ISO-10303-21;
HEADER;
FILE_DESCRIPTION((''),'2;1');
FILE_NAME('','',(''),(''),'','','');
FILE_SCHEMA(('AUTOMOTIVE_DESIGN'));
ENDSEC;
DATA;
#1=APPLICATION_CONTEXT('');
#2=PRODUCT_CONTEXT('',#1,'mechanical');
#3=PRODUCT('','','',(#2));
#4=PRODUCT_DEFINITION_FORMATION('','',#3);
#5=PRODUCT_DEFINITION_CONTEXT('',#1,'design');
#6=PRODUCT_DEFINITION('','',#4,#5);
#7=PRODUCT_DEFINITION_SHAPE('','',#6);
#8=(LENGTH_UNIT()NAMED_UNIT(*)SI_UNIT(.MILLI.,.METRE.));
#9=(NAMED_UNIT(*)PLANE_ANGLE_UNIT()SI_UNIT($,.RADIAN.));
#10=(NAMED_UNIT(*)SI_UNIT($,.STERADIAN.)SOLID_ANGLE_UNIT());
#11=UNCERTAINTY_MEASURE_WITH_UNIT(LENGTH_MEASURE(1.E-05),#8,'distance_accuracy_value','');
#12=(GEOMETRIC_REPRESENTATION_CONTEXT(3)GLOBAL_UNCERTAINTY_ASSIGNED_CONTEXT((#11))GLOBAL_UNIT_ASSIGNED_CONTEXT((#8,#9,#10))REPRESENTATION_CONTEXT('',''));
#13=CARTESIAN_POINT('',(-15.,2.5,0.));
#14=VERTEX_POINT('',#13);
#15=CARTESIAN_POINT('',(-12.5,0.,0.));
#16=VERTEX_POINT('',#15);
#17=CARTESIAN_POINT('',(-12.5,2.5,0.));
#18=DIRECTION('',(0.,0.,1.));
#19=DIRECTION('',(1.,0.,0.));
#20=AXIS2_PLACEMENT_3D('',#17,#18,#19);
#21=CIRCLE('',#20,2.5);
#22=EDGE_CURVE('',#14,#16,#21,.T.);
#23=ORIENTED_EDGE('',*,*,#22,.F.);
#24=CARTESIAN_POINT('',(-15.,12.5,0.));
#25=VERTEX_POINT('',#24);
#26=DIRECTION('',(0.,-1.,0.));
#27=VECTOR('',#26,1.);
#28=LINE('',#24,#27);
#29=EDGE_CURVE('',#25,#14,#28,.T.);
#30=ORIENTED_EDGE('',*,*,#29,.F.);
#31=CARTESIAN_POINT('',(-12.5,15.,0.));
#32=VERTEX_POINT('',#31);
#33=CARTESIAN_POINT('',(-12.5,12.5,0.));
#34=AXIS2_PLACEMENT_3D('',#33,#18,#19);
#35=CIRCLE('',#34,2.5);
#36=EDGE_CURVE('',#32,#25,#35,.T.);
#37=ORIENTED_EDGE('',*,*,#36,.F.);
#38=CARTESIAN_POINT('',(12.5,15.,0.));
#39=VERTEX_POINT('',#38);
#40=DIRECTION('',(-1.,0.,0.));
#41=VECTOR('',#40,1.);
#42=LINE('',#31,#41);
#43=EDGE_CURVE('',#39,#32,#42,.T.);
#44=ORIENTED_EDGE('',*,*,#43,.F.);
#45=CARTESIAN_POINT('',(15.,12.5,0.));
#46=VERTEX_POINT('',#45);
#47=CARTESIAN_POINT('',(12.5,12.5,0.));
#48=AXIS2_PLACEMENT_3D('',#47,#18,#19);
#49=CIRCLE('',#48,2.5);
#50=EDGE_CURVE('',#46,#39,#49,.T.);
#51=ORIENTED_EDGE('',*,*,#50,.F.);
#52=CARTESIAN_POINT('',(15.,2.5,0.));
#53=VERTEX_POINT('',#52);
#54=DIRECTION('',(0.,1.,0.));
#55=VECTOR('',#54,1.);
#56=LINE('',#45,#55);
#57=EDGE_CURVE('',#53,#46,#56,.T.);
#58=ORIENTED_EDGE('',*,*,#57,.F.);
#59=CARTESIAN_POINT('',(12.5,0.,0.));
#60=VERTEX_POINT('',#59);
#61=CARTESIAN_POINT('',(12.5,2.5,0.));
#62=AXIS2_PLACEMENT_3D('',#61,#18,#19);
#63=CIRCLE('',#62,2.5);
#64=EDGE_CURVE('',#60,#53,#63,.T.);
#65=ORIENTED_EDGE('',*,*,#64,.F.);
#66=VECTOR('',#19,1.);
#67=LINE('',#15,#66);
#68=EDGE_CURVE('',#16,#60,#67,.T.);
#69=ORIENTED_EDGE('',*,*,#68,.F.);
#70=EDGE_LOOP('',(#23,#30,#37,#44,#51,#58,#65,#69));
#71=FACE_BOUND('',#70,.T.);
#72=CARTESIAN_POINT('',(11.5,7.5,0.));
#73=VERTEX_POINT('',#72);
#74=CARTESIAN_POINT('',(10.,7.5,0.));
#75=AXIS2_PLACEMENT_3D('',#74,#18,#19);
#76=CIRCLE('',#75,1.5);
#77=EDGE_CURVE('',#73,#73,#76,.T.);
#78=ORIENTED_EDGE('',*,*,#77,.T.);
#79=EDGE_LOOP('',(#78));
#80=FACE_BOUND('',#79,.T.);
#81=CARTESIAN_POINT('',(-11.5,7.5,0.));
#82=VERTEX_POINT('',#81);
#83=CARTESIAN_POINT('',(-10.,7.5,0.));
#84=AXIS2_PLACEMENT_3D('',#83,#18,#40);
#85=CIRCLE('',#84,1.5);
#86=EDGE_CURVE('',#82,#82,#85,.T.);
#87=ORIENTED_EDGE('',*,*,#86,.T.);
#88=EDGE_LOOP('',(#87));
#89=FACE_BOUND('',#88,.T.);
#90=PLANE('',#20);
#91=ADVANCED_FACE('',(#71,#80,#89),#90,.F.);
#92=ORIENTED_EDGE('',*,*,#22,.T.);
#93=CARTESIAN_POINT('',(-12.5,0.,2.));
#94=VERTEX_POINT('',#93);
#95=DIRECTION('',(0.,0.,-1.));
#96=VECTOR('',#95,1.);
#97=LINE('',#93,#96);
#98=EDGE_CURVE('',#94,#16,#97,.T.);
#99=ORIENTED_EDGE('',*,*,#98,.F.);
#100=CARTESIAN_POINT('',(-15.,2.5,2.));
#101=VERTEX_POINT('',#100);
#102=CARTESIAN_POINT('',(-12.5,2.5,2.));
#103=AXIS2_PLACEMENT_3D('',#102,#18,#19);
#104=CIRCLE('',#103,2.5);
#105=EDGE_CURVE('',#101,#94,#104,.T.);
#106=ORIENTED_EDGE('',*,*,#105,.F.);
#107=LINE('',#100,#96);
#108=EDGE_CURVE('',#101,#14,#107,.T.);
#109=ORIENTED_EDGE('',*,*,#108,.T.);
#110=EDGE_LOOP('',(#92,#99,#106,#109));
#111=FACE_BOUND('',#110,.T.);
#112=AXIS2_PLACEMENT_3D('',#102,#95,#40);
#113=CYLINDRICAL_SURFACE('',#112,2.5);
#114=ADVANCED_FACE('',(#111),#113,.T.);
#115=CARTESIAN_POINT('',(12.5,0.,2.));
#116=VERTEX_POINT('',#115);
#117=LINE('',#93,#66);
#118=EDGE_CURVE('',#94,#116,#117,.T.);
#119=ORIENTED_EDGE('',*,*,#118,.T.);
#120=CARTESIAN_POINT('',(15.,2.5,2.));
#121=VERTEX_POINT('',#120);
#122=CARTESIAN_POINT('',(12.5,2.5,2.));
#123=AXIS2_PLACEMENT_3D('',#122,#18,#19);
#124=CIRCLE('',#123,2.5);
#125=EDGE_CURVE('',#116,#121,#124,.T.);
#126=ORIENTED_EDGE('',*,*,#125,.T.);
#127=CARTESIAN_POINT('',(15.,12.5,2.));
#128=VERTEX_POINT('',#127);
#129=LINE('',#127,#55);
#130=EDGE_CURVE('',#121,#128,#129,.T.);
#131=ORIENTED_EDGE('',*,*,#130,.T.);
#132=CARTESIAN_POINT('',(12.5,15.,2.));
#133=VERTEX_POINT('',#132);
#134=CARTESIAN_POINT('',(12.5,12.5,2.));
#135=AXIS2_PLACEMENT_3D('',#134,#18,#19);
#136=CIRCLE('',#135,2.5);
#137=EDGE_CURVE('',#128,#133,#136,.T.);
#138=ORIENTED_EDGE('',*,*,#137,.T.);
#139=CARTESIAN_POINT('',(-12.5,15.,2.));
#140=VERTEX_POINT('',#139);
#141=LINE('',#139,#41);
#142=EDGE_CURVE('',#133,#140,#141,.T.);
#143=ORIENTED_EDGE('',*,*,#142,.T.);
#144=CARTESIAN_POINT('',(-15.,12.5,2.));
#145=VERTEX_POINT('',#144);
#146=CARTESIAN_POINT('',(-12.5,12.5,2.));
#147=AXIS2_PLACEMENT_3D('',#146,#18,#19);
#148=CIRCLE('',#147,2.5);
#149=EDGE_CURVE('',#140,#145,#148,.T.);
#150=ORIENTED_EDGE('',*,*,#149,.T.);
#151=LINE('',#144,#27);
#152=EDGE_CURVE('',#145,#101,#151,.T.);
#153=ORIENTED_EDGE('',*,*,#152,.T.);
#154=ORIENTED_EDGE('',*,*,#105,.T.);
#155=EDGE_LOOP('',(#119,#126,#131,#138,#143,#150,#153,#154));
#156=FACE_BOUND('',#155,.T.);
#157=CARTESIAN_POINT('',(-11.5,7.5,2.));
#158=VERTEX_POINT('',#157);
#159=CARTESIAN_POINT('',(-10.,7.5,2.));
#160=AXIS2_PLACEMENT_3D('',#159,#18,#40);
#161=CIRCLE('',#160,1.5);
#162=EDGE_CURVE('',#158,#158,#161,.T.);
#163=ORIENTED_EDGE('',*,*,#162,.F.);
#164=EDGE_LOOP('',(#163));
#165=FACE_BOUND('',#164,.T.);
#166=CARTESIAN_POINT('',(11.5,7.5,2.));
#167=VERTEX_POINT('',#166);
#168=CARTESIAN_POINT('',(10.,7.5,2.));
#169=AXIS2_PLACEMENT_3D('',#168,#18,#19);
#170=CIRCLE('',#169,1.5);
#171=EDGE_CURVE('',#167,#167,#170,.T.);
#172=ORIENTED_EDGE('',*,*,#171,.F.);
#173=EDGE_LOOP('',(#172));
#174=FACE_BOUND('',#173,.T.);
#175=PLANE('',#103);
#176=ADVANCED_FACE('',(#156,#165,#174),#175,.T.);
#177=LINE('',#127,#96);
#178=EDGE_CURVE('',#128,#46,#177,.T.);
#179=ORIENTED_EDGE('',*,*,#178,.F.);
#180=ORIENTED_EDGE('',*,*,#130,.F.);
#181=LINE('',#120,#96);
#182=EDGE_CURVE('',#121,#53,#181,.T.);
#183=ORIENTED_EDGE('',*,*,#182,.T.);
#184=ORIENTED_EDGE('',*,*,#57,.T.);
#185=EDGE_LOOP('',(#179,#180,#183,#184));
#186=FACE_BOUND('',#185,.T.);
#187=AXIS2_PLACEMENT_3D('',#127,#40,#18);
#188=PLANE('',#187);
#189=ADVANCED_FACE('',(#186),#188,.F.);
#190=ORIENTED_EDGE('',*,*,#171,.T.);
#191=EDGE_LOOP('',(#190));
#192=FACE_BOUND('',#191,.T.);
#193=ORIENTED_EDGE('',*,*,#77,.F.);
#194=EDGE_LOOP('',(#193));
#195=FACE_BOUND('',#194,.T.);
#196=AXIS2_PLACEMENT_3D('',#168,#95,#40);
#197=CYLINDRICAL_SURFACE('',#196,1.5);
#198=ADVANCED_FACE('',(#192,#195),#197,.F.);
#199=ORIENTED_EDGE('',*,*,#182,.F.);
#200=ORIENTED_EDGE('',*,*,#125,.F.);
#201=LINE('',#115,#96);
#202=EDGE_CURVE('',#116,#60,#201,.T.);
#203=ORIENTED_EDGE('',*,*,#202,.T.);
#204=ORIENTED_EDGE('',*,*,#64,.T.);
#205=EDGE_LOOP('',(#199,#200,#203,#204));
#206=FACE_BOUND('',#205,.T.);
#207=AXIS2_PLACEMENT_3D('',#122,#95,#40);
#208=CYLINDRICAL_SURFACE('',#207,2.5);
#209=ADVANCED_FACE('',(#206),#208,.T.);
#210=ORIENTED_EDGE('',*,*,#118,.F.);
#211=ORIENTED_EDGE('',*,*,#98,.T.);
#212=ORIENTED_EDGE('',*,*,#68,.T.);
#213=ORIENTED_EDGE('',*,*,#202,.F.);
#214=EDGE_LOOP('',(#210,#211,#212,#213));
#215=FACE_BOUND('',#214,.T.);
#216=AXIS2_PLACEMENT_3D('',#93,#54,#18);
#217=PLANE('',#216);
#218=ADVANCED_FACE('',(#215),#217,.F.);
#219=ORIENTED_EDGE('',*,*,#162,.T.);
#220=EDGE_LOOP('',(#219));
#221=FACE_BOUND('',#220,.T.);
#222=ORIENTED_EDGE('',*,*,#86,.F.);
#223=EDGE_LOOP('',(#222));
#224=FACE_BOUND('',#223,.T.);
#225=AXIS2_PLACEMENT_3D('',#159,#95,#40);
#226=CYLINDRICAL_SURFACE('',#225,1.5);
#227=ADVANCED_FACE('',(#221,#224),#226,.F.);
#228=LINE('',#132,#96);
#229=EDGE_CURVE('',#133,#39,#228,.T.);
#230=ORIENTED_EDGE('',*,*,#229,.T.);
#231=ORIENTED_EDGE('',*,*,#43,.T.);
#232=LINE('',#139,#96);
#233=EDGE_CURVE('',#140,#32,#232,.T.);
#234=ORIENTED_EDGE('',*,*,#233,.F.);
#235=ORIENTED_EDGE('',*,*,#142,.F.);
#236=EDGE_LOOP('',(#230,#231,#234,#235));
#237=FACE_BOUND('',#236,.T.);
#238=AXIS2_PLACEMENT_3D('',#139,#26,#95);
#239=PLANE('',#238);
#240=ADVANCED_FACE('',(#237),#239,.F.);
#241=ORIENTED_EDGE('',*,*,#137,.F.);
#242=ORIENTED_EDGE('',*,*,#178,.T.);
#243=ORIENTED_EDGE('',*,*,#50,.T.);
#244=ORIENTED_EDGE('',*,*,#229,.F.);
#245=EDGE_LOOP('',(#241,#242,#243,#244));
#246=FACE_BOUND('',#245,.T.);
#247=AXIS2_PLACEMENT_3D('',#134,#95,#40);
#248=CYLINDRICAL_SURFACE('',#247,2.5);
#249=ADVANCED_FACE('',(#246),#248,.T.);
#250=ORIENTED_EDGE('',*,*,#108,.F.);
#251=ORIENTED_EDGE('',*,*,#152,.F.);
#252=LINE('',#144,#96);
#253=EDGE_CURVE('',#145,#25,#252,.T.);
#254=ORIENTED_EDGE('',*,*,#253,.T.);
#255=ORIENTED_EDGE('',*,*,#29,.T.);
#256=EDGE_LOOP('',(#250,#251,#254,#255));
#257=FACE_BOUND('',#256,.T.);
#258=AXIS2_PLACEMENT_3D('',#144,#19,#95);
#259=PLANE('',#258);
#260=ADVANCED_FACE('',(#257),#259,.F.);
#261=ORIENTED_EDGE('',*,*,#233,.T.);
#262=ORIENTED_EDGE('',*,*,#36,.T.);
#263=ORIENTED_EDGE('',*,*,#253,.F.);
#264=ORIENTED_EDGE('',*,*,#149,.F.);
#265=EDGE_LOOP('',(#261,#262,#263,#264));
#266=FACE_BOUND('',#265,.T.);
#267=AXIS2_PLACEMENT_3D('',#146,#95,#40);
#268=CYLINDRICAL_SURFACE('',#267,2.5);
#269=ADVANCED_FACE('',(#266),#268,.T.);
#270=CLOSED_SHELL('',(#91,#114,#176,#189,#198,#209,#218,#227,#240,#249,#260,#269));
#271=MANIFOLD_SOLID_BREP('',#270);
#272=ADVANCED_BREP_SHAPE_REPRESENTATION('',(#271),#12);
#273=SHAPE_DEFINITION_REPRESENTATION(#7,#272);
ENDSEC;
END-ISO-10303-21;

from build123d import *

# Parameters (mm, degrees)
MODEL_R             = 1.5
BOSS_EXTRUDE1_DEPTH = 2


with BuildPart() as part:
    # Model → Boss-Extrude1 (new body)
    with BuildSketch(Plane.XY):
        with BuildLine():
            Line((-12.5, 15), (12.5, 15))
            ThreePointArc((12.5, 15), (14.267766953, 14.267766953), (15, 12.5))
            Line((15, 12.5), (15, 2.5))
            ThreePointArc((15, 2.5), (14.267766953, 0.732233047), (12.5, 0))
            Line((12.5, 0), (-12.5, 0))
            ThreePointArc((-12.5, 0), (-14.267766953, 0.732233047), (-15, 2.5))
            Line((-15, 2.5), (-15, 12.5))
            ThreePointArc((-15, 12.5), (-14.267766953, 14.267766953), (-12.5, 15))
        make_face()
        with Locations((10, 7.5)):
            Circle(MODEL_R, mode=Mode.SUBTRACT)
        with Locations(Location((-10, 7.5, 0), (0, 0, 180))):
            Circle(MODEL_R, mode=Mode.SUBTRACT)
    extrude(amount=BOSS_EXTRUDE1_DEPTH)


solid = part.part
